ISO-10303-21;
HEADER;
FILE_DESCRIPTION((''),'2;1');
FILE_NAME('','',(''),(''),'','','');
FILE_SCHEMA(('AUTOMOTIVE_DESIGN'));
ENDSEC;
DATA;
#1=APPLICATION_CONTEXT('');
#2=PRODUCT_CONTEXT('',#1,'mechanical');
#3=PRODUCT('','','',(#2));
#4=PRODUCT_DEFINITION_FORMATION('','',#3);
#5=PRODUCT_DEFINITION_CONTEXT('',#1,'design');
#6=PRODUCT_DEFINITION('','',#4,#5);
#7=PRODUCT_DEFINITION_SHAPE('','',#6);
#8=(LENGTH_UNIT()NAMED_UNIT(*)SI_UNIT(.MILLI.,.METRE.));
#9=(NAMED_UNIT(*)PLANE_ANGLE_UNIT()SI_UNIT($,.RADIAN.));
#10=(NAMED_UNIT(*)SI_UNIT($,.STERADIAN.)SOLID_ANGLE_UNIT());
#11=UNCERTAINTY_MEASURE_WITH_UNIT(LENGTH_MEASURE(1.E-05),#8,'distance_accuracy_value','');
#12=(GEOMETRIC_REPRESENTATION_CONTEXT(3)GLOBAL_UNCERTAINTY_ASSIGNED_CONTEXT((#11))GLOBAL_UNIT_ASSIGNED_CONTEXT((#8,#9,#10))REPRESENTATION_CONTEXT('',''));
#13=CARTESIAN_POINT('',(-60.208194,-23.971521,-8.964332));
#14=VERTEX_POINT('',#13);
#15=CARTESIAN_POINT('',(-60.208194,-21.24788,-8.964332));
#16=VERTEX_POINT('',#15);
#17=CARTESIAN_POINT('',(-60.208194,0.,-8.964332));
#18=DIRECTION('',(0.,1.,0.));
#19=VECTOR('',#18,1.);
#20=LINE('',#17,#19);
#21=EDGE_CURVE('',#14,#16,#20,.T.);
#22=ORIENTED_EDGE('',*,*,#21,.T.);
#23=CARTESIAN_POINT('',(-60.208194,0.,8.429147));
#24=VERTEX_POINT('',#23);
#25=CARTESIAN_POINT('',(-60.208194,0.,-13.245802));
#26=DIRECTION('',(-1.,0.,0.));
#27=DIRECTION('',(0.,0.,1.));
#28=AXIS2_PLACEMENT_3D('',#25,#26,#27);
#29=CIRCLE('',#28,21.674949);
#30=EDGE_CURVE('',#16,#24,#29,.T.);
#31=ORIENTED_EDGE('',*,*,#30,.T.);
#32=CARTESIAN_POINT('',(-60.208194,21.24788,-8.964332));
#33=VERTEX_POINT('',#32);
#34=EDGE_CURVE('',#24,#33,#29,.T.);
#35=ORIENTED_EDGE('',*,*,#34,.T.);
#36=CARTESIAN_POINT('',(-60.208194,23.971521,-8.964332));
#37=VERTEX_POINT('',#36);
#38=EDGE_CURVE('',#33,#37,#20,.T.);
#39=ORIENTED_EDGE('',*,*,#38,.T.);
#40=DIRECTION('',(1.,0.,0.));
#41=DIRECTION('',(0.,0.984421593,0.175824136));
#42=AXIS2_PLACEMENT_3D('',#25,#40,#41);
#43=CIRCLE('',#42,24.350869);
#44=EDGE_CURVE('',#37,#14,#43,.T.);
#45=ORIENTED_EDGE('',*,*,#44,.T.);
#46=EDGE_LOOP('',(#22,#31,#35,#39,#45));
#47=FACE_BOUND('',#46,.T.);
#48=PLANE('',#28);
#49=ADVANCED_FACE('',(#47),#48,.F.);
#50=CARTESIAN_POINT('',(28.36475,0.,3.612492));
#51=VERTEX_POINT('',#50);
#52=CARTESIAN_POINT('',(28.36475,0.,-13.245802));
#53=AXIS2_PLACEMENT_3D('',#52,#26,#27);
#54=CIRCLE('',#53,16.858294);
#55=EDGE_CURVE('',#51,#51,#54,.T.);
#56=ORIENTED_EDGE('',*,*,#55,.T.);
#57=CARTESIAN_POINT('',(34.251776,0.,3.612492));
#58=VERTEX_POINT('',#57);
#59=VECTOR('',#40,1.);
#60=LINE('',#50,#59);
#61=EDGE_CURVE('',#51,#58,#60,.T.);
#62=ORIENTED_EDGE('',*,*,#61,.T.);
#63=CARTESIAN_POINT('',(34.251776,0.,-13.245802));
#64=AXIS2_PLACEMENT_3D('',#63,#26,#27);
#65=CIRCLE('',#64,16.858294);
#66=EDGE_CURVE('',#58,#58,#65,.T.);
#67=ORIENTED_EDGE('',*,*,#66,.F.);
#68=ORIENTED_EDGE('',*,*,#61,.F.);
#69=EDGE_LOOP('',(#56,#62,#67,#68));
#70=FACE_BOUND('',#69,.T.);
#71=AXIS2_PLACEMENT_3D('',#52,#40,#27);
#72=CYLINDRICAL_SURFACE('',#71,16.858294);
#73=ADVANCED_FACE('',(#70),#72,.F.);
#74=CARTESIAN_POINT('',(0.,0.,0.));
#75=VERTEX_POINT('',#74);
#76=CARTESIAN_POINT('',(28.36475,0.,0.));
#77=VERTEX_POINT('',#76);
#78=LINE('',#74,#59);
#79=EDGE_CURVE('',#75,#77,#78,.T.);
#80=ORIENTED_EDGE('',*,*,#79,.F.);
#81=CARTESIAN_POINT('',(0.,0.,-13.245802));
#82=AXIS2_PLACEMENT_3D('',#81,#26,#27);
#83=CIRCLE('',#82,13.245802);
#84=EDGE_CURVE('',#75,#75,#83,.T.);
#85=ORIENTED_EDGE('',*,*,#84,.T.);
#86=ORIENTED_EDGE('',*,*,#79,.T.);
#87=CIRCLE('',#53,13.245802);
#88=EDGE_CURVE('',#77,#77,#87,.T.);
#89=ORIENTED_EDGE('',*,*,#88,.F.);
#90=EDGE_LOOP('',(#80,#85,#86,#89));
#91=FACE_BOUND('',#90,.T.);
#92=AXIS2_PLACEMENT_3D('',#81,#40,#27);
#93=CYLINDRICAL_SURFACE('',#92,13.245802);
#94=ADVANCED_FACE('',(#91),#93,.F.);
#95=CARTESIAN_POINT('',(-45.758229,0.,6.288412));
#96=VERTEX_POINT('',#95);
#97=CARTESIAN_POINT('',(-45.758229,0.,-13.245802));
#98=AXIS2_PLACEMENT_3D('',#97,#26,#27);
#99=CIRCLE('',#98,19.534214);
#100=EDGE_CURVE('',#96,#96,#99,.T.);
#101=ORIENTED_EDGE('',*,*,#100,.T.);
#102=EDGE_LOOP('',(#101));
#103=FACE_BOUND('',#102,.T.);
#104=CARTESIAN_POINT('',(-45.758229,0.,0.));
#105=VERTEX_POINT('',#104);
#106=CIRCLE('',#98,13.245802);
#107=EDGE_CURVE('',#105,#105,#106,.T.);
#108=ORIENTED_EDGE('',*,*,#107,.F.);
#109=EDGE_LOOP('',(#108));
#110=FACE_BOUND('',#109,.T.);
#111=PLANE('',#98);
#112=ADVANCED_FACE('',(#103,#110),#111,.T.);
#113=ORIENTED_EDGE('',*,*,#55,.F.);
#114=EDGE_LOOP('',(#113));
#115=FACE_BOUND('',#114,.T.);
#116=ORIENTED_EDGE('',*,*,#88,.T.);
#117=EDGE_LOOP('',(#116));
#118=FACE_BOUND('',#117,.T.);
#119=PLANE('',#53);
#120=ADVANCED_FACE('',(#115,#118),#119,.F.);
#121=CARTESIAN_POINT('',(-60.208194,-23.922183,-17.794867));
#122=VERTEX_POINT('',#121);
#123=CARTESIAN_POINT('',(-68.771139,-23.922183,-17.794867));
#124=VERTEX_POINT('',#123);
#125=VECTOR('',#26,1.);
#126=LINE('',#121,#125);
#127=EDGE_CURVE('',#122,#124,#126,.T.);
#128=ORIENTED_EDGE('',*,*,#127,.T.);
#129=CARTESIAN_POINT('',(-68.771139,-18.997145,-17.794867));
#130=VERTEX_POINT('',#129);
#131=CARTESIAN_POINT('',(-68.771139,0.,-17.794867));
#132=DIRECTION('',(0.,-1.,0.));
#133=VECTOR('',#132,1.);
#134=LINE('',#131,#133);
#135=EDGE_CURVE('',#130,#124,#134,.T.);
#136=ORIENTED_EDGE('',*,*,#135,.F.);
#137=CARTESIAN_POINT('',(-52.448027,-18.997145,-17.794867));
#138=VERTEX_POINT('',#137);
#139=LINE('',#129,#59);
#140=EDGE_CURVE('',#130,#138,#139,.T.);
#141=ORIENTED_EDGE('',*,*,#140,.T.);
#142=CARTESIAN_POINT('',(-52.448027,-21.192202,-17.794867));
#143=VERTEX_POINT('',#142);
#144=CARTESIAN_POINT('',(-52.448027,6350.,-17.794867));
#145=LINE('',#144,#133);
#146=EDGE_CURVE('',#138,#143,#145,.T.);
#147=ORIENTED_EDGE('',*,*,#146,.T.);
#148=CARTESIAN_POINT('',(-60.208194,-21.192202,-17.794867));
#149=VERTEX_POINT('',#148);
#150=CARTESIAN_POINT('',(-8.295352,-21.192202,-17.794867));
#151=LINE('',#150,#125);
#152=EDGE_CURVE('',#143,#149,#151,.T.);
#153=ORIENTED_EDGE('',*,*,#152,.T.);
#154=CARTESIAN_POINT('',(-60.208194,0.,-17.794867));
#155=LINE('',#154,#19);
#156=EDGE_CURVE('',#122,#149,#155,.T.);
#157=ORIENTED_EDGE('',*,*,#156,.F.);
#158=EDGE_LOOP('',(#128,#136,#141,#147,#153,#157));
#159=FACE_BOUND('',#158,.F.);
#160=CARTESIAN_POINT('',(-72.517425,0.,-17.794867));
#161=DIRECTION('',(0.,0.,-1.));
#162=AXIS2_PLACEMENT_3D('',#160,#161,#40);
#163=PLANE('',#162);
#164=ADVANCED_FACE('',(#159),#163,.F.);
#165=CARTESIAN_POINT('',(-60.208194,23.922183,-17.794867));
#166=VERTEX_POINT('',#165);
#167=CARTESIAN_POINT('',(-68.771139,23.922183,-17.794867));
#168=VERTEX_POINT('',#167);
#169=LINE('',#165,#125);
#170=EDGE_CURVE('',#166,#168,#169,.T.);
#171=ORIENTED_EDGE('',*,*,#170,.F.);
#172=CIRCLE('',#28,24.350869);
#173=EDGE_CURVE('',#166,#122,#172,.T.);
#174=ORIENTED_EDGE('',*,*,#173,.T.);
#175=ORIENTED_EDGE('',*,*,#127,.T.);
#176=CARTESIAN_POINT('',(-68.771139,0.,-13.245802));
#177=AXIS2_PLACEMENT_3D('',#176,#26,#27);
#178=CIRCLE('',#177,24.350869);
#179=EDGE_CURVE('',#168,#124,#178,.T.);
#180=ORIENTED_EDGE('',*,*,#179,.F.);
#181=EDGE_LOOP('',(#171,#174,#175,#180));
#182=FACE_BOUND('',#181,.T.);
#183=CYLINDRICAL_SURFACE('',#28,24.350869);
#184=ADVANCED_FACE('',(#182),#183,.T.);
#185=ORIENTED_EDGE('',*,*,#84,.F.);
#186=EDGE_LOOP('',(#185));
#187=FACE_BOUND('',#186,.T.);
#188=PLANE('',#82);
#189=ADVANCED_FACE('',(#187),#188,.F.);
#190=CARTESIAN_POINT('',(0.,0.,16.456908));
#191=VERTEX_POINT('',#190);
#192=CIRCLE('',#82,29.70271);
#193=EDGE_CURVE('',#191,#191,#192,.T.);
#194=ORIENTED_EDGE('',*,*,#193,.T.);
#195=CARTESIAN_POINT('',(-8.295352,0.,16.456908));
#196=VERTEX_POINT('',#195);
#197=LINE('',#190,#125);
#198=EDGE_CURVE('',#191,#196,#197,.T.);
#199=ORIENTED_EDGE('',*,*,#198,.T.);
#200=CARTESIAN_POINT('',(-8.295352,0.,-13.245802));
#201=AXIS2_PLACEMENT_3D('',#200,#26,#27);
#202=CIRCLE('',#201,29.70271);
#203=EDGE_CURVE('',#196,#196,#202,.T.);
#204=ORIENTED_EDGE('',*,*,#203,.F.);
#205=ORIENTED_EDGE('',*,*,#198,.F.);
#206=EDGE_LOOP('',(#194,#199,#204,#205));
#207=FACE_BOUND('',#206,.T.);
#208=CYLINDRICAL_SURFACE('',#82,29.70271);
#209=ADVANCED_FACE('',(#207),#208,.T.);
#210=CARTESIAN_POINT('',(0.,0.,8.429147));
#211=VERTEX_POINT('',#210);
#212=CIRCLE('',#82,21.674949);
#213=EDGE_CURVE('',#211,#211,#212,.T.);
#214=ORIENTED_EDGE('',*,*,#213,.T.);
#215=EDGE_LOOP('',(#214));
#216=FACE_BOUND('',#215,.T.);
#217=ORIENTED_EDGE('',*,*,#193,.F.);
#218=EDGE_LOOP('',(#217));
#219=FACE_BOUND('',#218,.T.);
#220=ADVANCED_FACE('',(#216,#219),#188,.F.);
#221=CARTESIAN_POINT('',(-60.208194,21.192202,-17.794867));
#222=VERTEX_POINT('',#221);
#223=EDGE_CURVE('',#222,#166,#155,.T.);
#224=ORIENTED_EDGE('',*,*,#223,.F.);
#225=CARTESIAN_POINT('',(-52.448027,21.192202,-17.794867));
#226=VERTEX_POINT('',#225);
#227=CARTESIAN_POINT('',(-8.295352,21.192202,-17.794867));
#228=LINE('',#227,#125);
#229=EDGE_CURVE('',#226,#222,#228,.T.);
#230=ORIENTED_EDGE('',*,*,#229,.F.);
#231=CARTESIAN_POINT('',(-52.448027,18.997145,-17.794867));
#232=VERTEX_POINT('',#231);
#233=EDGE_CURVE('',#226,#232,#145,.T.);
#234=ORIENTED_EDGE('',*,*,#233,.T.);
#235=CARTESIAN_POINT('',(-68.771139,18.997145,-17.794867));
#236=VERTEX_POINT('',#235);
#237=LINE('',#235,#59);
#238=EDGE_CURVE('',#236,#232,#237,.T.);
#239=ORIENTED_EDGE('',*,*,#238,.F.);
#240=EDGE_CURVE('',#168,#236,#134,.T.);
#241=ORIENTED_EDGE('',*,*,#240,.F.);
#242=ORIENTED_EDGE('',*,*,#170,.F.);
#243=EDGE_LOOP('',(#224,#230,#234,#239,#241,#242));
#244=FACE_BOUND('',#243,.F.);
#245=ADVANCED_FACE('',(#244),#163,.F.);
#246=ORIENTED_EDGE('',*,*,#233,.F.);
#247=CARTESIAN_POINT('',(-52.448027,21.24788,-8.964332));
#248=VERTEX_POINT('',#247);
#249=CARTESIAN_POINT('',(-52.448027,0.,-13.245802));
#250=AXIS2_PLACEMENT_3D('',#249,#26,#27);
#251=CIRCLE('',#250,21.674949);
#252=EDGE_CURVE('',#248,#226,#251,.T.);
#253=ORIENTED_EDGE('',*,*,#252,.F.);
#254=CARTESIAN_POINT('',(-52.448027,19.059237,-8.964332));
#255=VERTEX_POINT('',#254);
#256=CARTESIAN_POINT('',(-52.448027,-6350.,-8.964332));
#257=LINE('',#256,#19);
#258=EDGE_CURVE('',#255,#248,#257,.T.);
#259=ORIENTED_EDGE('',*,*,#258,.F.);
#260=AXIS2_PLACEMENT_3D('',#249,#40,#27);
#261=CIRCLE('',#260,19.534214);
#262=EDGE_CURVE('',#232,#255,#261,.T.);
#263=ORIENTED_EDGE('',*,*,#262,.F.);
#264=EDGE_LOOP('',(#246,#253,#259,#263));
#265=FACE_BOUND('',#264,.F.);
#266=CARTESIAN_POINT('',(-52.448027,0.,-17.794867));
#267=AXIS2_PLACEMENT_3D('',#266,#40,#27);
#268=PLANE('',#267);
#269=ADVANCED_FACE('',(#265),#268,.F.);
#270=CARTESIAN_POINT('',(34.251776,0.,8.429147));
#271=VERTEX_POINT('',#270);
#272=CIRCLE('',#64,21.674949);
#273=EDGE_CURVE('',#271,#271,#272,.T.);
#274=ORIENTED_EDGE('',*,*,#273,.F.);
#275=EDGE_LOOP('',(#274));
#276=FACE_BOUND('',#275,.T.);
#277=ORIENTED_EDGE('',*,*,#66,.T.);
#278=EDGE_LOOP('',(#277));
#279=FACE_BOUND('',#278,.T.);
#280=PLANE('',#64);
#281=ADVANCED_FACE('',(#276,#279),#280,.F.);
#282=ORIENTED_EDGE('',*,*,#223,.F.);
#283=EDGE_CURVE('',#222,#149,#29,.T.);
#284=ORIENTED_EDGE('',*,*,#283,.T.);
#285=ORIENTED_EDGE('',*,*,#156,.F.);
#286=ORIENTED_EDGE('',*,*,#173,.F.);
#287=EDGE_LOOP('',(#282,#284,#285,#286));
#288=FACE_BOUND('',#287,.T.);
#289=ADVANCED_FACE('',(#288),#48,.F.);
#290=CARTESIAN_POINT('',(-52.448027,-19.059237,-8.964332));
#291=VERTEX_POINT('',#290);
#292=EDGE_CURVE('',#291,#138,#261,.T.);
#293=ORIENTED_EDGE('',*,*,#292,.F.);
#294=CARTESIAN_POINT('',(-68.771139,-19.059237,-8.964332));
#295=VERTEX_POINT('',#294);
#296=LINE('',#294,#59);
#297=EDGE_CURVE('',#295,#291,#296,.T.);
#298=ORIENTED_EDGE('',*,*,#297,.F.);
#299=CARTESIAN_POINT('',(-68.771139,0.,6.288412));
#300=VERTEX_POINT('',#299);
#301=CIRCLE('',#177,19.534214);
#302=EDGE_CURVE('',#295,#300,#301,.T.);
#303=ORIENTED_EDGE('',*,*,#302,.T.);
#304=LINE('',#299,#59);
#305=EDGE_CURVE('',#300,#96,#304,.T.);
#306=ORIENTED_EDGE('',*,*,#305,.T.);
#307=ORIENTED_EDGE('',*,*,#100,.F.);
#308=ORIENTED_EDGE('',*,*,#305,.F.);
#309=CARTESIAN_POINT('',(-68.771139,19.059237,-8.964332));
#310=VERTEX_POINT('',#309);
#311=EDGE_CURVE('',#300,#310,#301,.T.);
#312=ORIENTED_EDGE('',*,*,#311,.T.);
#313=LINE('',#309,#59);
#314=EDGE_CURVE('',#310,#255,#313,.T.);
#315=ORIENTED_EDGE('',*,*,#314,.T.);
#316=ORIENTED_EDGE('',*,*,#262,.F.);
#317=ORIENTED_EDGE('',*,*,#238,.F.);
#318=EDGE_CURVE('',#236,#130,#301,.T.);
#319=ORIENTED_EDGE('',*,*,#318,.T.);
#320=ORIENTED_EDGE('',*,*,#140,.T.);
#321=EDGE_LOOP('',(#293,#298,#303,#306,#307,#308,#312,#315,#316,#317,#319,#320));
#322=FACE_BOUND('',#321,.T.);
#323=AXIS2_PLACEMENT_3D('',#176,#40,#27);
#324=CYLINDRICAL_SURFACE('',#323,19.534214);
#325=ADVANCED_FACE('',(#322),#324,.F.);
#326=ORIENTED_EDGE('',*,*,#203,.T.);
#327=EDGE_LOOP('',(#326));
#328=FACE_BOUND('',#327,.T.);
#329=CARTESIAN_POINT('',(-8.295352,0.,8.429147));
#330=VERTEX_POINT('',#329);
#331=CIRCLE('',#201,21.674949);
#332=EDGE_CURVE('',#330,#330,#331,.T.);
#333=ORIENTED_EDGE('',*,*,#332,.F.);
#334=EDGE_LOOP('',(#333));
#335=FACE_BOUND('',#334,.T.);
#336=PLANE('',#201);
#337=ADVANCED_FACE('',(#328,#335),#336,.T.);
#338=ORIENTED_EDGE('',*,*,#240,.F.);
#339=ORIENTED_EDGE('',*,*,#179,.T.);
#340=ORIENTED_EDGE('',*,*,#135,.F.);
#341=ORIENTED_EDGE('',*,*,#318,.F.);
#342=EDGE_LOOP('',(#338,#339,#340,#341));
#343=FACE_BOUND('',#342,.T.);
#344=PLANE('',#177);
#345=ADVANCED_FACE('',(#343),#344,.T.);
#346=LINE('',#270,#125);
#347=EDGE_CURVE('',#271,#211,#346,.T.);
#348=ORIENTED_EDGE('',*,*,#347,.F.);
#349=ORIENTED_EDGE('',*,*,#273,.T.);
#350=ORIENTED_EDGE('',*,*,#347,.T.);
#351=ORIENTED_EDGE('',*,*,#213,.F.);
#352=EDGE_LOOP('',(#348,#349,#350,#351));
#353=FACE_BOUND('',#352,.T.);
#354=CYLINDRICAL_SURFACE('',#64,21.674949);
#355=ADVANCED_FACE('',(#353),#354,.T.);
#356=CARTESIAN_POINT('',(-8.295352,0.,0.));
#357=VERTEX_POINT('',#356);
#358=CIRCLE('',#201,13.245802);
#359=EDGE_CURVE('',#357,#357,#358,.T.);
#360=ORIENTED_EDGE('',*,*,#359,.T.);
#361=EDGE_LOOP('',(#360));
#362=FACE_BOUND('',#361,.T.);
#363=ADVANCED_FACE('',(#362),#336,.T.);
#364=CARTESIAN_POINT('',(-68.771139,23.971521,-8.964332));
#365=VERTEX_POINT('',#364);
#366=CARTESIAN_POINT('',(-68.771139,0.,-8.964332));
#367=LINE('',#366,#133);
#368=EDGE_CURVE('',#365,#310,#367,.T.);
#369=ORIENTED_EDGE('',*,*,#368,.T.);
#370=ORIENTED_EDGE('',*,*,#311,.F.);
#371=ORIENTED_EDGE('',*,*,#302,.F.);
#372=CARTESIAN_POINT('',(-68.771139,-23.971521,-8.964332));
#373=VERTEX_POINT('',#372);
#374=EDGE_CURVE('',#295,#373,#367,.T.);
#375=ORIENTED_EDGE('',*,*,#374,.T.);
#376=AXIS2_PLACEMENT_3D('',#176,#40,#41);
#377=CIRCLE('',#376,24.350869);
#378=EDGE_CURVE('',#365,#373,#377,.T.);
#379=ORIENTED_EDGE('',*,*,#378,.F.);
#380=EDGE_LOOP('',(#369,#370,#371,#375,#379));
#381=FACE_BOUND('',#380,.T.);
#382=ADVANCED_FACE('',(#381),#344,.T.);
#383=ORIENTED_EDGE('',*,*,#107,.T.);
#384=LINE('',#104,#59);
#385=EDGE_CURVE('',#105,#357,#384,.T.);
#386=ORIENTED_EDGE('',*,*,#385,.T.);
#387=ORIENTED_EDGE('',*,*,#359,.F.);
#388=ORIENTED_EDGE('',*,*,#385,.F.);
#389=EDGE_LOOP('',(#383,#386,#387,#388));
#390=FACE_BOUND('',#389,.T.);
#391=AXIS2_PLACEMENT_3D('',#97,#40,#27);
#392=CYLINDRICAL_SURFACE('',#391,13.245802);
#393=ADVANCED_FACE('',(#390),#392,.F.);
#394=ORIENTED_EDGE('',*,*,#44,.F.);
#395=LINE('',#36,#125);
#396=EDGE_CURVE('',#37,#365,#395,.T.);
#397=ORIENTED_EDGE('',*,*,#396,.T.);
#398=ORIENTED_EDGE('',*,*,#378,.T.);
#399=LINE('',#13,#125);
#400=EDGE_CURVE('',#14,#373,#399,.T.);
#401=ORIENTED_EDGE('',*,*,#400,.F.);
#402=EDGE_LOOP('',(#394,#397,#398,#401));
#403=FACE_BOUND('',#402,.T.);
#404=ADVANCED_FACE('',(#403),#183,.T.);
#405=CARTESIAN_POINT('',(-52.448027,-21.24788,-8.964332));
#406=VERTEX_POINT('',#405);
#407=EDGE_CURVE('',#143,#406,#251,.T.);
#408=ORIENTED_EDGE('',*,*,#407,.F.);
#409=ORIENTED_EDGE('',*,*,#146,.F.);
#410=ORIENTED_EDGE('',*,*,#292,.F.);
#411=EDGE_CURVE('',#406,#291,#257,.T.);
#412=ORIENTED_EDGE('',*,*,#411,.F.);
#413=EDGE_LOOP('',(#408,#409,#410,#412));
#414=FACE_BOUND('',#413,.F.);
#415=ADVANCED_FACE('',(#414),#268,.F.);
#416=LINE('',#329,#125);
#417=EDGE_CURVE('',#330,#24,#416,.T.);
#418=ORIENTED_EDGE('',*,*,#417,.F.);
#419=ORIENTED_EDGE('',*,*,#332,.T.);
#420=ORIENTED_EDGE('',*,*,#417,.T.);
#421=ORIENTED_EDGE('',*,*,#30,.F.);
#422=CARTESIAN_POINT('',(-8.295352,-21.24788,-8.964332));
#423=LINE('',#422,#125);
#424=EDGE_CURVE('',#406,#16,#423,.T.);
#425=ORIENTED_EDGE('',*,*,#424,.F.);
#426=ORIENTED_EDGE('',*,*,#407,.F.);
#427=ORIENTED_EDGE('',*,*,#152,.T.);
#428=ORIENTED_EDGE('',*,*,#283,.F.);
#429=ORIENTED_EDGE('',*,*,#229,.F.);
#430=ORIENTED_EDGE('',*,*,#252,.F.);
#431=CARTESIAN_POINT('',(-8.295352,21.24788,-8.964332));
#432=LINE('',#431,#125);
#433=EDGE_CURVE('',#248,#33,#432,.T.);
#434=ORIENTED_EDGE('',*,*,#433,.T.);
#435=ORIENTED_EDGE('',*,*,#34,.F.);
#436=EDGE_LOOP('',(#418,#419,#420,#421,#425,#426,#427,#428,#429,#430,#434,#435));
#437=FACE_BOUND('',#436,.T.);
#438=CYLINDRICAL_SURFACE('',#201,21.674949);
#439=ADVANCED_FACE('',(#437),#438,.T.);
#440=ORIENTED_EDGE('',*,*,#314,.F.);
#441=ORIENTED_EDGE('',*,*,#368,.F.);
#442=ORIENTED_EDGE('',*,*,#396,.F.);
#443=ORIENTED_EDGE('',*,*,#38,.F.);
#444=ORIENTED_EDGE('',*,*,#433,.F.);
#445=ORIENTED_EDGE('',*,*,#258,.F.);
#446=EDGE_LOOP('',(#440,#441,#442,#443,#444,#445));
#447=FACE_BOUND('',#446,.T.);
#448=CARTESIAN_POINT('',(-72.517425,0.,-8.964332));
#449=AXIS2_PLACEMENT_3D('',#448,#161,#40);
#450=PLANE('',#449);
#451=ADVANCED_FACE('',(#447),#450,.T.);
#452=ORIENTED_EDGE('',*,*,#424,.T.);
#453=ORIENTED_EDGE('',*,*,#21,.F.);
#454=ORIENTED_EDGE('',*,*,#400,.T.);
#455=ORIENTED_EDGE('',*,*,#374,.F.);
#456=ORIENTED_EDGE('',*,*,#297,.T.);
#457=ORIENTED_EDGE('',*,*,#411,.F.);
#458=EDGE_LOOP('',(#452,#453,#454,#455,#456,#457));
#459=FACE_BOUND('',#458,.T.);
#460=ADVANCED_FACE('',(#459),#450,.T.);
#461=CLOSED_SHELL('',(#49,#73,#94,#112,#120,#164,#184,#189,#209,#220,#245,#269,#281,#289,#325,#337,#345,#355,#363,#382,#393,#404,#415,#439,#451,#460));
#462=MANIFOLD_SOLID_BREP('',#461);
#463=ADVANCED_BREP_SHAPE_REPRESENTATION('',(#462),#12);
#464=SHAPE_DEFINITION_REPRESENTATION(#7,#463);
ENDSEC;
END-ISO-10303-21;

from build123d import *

# Parameters (mm, degrees)
F2_W     = 20.069398
F2_H     = 8.830535
F3_DEPTH = 6350


with BuildPart() as f1:
    # F0 (on Front) → F1 (revolve)
    with BuildSketch(Plane.XZ):
        Polygon((0, -13.245802), (0, 0), (28.36475, 0), (28.36475, 3.612492), (34.251776, 3.612492), (34.251776, 8.429147), (0, 8.429147), (0, 16.456908), (-8.295352, 16.456908), (-8.295352, 8.429147), (-60.208194, 8.429147), (-60.208194, 11.105067), (-68.771139, 11.105067), (-68.771139, 6.288412), (-45.758229, 6.288412), (-45.758229, 0), (-8.295352, 0), (-8.295352, -13.245802), align=None)
    revolve(axis=Axis((-4.147676, 0, -13.245802), (-1, 0, 0)))

    # F2 (on Front) → F3 (cut, symmetric)
    with BuildSketch(Plane.XZ):
        with Locations((-62.482726, -13.379599)):
            Rectangle(F2_W, F2_H)
    extrude(amount=F3_DEPTH, both=True, mode=Mode.SUBTRACT)


solid = f1.part
